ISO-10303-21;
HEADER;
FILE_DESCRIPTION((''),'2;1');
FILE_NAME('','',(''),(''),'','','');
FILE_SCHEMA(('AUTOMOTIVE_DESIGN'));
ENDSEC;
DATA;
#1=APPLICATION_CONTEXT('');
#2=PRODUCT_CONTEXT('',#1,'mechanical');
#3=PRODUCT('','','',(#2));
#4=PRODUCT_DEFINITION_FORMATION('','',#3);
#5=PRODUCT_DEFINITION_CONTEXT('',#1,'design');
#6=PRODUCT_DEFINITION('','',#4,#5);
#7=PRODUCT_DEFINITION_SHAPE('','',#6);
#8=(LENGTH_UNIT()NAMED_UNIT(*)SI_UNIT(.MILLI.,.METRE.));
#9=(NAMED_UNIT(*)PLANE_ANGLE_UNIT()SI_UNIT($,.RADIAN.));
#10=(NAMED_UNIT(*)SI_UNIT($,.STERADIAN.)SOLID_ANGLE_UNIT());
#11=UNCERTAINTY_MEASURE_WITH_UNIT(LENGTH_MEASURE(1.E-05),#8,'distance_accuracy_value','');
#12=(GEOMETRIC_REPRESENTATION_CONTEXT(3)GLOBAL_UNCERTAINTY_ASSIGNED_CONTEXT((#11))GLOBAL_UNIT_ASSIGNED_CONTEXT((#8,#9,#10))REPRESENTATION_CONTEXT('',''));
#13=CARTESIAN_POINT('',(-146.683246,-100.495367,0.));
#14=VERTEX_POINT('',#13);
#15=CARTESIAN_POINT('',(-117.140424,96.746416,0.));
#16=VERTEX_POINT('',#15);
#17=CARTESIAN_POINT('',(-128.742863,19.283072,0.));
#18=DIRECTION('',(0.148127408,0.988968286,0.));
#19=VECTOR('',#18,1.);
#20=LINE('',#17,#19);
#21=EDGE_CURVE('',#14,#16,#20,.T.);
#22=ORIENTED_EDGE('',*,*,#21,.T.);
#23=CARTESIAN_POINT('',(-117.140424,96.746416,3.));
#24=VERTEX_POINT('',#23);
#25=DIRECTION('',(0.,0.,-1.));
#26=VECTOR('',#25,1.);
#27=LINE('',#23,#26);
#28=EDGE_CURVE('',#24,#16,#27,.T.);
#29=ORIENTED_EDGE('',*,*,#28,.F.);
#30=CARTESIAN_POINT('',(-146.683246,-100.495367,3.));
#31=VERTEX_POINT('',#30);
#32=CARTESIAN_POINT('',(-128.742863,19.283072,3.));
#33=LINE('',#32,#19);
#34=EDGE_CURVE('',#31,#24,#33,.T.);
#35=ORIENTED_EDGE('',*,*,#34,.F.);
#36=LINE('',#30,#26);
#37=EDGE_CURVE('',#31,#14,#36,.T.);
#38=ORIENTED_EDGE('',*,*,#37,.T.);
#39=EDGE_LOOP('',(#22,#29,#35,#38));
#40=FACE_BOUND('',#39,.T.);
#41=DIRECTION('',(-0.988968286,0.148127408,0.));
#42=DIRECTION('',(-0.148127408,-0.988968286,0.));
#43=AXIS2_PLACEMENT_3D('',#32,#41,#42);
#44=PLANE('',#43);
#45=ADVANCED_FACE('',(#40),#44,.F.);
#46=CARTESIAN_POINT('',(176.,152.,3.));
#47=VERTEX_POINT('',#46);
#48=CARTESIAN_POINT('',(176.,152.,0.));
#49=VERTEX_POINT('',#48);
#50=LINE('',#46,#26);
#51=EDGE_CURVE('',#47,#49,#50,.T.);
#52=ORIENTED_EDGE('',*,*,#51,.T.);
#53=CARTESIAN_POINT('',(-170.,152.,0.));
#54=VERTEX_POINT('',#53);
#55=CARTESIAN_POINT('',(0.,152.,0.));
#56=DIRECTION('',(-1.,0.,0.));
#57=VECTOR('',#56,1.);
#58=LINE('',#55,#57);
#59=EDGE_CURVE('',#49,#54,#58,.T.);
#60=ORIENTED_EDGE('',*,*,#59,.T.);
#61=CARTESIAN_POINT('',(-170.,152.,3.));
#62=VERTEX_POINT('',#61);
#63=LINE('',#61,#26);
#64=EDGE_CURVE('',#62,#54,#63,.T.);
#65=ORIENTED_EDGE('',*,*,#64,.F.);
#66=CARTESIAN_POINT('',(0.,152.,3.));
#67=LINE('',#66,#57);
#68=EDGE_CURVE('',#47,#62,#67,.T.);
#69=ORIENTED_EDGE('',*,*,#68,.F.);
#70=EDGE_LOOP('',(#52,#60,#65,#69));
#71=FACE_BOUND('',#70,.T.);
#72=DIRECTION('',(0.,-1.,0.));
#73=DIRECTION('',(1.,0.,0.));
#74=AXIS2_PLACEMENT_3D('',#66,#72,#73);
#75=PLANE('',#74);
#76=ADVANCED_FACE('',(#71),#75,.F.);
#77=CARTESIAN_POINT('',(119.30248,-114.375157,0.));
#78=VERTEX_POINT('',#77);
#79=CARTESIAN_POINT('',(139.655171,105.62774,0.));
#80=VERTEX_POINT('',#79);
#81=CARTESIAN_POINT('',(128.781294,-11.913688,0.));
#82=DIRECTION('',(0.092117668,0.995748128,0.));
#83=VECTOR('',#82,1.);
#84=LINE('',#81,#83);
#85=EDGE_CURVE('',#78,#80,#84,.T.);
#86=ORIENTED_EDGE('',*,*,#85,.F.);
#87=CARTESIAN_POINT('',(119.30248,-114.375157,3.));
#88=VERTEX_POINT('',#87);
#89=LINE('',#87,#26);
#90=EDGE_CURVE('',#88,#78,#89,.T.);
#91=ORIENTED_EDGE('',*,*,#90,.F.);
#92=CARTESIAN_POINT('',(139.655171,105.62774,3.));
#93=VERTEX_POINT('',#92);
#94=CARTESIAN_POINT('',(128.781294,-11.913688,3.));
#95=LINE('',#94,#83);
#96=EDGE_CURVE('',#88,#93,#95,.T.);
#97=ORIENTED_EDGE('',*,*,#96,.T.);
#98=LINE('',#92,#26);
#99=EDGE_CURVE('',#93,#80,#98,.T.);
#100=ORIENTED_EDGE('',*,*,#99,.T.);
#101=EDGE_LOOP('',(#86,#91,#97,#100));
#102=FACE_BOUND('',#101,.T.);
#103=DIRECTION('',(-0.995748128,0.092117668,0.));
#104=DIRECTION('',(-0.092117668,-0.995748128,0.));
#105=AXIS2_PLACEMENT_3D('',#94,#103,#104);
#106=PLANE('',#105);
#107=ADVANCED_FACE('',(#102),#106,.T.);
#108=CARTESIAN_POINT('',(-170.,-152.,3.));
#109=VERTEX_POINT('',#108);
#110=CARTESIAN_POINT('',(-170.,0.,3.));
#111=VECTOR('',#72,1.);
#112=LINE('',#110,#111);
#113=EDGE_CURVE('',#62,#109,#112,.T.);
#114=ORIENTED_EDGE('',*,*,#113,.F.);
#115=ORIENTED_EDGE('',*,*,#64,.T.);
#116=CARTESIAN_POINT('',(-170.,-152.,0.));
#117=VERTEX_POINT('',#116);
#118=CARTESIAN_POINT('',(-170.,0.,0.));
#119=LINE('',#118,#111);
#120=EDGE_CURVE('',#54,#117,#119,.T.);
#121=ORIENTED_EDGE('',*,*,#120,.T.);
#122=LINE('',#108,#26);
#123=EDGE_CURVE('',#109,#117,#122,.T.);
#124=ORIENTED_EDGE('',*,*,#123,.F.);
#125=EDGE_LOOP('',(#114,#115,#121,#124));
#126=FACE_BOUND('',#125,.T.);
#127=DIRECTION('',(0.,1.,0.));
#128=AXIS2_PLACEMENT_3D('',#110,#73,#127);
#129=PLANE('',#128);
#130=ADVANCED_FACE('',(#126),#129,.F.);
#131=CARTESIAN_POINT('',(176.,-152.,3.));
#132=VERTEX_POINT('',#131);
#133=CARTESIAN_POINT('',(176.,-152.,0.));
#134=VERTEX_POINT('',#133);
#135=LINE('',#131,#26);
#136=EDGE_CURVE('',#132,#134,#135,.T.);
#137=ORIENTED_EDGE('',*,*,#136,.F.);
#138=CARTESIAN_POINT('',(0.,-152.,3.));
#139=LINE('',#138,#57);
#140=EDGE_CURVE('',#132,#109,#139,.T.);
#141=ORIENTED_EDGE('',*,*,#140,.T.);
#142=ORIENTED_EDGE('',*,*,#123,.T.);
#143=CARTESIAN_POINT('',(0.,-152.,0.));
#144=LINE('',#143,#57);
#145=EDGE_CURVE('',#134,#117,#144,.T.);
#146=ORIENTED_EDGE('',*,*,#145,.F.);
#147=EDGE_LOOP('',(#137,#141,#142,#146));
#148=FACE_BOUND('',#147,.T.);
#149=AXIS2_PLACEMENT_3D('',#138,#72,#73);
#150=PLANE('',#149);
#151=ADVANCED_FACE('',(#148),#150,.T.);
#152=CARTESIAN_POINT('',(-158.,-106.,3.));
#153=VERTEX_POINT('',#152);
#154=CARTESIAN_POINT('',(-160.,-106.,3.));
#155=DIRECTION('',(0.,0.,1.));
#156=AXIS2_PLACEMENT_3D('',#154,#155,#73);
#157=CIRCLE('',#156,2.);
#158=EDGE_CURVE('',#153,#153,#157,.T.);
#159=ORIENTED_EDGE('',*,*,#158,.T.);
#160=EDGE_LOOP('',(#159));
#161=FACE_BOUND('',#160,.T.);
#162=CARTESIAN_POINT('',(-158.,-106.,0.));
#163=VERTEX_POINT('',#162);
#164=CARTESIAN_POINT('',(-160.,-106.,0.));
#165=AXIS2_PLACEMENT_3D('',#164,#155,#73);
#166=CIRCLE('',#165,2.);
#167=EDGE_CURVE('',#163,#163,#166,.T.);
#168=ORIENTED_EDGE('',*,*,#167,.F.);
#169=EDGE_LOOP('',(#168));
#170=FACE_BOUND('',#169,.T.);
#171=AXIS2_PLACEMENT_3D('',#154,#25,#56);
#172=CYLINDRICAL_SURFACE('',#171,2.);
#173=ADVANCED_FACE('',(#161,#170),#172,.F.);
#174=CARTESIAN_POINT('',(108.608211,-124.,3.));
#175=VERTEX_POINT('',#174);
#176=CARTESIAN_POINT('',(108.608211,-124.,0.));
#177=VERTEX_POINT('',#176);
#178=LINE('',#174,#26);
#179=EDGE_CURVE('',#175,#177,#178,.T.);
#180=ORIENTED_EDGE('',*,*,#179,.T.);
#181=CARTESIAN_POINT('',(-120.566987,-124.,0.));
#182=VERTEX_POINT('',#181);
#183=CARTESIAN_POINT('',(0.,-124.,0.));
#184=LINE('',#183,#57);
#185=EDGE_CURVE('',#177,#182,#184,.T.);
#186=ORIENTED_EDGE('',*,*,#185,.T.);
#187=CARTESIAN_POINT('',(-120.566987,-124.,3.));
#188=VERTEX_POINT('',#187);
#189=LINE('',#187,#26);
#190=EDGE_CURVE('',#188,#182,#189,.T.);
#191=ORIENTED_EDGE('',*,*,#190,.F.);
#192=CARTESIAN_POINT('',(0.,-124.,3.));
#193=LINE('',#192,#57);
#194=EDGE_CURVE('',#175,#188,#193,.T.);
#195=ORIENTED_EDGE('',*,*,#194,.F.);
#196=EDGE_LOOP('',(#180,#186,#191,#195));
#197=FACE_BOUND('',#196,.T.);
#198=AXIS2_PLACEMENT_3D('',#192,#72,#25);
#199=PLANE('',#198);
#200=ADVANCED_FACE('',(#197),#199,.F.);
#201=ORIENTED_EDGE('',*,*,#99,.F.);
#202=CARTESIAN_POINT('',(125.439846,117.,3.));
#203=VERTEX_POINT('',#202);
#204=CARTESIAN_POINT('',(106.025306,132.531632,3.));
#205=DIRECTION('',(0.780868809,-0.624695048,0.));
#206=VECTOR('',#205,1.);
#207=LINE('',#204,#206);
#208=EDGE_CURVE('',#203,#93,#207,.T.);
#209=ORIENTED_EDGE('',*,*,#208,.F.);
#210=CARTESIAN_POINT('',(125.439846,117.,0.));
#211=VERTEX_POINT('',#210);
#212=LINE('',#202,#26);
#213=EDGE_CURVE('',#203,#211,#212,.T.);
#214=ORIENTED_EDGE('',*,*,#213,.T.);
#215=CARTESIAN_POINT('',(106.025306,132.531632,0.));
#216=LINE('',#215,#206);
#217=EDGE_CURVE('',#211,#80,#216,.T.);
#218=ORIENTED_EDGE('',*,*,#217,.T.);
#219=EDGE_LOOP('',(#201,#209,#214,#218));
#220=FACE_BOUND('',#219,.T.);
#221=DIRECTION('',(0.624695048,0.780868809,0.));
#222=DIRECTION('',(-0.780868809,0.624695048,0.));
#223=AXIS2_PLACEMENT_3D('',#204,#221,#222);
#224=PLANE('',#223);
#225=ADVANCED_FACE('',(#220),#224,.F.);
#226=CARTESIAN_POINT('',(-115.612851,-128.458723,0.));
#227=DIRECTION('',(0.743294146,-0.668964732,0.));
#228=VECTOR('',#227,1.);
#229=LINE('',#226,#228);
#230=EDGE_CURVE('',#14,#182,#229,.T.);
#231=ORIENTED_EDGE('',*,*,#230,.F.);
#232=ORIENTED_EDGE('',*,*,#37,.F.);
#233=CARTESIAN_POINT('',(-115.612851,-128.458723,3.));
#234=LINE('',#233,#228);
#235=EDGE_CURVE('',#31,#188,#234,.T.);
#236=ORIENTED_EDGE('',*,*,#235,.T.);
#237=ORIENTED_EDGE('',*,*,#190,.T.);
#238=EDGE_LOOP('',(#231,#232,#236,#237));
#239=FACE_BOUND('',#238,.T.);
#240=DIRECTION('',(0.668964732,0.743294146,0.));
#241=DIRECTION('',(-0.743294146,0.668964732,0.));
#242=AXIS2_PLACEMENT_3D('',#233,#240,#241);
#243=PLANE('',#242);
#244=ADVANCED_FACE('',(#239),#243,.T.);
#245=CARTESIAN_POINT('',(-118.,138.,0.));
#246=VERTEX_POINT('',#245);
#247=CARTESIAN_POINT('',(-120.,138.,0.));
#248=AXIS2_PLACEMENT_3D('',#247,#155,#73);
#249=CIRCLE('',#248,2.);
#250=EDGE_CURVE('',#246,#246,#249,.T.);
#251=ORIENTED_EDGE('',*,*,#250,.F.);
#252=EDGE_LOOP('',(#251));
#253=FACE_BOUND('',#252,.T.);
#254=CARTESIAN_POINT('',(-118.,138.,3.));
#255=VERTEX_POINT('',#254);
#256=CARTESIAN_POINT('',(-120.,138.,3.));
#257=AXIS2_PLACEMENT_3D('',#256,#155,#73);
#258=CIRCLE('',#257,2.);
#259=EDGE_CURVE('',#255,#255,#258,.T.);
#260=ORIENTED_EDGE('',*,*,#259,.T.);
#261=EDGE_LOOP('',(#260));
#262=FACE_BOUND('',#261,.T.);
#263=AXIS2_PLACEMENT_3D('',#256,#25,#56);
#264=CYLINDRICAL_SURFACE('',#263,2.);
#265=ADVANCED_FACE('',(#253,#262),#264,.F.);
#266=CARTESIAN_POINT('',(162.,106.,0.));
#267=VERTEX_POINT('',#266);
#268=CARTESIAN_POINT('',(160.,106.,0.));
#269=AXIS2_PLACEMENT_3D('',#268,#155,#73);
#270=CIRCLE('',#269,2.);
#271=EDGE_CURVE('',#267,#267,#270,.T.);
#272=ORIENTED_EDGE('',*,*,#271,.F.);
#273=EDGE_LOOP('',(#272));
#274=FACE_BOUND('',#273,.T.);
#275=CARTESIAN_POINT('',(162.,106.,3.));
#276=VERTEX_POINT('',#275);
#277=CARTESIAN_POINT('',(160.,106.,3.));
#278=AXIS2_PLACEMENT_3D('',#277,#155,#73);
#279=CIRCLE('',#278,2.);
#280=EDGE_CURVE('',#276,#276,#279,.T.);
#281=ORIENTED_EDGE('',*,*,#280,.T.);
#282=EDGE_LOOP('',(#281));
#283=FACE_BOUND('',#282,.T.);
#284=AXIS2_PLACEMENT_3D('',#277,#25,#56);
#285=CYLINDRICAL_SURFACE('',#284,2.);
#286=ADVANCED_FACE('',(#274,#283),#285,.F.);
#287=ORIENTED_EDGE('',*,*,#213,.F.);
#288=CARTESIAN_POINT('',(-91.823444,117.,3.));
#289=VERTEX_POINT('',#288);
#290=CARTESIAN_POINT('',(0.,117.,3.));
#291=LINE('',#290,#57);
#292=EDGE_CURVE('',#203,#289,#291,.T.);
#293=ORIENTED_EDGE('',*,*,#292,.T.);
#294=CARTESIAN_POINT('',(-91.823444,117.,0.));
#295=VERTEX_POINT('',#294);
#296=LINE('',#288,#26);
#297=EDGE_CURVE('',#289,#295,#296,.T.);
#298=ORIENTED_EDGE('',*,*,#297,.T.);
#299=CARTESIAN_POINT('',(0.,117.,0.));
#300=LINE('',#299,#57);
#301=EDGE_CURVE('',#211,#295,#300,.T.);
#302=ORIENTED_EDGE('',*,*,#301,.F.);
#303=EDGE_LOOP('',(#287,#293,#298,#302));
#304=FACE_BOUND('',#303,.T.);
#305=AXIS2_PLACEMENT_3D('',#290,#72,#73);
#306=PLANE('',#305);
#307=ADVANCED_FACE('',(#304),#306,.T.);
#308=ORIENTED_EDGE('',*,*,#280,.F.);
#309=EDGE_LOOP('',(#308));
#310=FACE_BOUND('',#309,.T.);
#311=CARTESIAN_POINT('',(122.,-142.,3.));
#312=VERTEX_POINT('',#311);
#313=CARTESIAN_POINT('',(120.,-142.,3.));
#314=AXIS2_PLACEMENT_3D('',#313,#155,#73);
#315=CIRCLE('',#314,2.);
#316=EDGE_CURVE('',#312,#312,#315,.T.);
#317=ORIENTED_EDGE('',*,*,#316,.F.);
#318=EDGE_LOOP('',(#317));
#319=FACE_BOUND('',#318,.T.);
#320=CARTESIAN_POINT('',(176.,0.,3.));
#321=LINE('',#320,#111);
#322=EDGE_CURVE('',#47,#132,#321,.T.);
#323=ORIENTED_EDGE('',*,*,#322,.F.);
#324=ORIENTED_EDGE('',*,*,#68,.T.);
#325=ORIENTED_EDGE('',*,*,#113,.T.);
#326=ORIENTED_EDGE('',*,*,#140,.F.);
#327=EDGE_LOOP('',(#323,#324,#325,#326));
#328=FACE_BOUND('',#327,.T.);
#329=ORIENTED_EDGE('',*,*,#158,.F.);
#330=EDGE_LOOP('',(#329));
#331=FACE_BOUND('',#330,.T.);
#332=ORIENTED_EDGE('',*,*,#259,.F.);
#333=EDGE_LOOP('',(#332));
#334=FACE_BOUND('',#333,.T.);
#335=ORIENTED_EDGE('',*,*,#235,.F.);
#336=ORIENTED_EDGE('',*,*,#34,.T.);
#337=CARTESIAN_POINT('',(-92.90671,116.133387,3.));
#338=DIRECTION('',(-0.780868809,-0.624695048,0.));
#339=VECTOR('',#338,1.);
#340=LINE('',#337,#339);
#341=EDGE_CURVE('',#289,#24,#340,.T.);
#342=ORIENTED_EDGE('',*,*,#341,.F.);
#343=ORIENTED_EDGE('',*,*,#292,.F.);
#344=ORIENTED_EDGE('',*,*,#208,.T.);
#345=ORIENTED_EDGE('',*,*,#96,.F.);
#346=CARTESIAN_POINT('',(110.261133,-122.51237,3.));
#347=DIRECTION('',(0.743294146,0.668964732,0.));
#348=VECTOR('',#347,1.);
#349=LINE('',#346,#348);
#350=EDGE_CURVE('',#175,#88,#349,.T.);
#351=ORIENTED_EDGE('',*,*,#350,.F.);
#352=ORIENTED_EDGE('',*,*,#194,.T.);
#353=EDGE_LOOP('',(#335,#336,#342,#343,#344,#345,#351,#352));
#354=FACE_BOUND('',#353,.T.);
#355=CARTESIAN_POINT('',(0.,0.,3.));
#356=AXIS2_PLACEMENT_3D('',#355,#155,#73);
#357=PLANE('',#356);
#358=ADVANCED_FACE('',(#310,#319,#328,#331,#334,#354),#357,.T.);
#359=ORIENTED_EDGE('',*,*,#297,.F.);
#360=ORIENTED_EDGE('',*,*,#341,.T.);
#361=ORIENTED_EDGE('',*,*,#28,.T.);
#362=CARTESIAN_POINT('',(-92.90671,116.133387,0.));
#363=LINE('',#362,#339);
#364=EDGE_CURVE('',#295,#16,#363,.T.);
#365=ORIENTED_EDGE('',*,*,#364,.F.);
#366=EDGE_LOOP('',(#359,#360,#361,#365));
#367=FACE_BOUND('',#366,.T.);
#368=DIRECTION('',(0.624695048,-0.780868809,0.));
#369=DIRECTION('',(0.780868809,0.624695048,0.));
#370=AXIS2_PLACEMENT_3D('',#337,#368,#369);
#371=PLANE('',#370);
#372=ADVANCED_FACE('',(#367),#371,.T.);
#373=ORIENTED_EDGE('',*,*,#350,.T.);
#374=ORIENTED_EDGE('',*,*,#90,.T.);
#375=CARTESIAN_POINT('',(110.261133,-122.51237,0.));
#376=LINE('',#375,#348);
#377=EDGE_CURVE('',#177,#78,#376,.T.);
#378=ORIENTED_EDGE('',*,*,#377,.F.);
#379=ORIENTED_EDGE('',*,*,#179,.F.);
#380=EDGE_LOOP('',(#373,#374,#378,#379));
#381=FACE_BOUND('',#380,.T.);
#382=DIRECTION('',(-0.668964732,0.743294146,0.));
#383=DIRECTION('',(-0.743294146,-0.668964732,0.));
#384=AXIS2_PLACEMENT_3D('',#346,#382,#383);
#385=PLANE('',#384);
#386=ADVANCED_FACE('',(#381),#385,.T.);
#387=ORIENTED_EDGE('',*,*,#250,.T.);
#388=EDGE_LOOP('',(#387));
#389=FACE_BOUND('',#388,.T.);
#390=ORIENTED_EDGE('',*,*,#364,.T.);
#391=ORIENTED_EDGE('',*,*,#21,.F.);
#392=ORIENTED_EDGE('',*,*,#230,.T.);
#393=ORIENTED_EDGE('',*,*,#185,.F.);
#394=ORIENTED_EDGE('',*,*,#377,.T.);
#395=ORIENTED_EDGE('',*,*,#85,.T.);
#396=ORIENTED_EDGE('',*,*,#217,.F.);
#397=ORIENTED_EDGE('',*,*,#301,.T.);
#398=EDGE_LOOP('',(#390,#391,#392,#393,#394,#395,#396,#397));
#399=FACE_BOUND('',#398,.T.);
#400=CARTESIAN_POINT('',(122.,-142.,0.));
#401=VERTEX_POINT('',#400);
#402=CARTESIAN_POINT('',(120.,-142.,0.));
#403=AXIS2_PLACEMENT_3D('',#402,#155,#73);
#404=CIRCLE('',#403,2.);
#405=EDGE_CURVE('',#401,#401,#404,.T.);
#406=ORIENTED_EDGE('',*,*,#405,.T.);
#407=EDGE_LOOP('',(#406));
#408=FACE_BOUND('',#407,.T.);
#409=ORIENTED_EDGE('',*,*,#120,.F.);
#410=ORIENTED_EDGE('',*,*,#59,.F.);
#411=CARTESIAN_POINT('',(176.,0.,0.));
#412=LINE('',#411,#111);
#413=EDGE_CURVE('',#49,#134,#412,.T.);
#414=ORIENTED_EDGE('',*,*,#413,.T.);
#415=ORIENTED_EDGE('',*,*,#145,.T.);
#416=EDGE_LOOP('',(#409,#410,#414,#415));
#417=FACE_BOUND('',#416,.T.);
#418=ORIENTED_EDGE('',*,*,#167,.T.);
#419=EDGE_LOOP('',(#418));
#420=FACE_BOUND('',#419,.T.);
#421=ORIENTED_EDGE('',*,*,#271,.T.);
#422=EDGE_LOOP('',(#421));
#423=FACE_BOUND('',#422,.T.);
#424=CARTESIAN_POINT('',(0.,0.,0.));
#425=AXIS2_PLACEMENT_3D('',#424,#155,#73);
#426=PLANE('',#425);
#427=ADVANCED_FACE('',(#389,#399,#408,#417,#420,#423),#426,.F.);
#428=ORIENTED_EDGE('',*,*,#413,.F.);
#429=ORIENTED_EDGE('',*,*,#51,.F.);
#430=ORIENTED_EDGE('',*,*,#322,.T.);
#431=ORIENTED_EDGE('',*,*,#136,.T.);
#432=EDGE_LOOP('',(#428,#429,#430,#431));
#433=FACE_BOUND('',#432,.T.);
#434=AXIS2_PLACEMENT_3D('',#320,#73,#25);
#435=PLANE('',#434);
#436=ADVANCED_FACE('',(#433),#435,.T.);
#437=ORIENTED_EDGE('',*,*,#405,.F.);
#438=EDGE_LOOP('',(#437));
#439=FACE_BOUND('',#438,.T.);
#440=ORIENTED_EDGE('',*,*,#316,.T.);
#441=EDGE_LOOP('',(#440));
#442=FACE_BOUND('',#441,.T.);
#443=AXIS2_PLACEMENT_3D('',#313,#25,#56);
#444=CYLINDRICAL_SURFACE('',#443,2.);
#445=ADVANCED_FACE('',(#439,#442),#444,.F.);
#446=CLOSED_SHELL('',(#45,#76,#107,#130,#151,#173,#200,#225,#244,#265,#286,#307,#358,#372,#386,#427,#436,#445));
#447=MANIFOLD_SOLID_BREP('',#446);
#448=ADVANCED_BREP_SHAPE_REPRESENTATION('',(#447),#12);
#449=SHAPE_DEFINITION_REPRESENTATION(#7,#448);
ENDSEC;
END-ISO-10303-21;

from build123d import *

# Parameters (mm, degrees)
SKETCH1_W           = 346
SKETCH1_H           = 304
SKETCH1_R           = 2
BOSS_EXTRUDE1_DEPTH = 3


with BuildPart() as part:
    # Sketch1 → Boss-Extrude1 (new body)
    with BuildSketch(Plane.XY):
        with Locations((3, 0)):
            Rectangle(SKETCH1_W, SKETCH1_H)
        with Locations((-160, -106)):
            Circle(SKETCH1_R, mode=Mode.SUBTRACT)
        with Locations((120, -142)):
            Circle(SKETCH1_R, mode=Mode.SUBTRACT)
        Polygon((139.655171099, 105.627740104), (119.302480143, -114.375157373), (108.608210557, -124), (-120.566987488, -124), (-146.683245886, -100.495367441), (-117.140423658, 96.746416259), (-91.823443982, 117), (125.439846228, 117), align=None, mode=Mode.SUBTRACT)
        with Locations((-120, 138)):
            Circle(SKETCH1_R, mode=Mode.SUBTRACT)
        with Locations((160, 106)):
            Circle(SKETCH1_R, mode=Mode.SUBTRACT)
    extrude(amount=BOSS_EXTRUDE1_DEPTH)


solid = part.part
